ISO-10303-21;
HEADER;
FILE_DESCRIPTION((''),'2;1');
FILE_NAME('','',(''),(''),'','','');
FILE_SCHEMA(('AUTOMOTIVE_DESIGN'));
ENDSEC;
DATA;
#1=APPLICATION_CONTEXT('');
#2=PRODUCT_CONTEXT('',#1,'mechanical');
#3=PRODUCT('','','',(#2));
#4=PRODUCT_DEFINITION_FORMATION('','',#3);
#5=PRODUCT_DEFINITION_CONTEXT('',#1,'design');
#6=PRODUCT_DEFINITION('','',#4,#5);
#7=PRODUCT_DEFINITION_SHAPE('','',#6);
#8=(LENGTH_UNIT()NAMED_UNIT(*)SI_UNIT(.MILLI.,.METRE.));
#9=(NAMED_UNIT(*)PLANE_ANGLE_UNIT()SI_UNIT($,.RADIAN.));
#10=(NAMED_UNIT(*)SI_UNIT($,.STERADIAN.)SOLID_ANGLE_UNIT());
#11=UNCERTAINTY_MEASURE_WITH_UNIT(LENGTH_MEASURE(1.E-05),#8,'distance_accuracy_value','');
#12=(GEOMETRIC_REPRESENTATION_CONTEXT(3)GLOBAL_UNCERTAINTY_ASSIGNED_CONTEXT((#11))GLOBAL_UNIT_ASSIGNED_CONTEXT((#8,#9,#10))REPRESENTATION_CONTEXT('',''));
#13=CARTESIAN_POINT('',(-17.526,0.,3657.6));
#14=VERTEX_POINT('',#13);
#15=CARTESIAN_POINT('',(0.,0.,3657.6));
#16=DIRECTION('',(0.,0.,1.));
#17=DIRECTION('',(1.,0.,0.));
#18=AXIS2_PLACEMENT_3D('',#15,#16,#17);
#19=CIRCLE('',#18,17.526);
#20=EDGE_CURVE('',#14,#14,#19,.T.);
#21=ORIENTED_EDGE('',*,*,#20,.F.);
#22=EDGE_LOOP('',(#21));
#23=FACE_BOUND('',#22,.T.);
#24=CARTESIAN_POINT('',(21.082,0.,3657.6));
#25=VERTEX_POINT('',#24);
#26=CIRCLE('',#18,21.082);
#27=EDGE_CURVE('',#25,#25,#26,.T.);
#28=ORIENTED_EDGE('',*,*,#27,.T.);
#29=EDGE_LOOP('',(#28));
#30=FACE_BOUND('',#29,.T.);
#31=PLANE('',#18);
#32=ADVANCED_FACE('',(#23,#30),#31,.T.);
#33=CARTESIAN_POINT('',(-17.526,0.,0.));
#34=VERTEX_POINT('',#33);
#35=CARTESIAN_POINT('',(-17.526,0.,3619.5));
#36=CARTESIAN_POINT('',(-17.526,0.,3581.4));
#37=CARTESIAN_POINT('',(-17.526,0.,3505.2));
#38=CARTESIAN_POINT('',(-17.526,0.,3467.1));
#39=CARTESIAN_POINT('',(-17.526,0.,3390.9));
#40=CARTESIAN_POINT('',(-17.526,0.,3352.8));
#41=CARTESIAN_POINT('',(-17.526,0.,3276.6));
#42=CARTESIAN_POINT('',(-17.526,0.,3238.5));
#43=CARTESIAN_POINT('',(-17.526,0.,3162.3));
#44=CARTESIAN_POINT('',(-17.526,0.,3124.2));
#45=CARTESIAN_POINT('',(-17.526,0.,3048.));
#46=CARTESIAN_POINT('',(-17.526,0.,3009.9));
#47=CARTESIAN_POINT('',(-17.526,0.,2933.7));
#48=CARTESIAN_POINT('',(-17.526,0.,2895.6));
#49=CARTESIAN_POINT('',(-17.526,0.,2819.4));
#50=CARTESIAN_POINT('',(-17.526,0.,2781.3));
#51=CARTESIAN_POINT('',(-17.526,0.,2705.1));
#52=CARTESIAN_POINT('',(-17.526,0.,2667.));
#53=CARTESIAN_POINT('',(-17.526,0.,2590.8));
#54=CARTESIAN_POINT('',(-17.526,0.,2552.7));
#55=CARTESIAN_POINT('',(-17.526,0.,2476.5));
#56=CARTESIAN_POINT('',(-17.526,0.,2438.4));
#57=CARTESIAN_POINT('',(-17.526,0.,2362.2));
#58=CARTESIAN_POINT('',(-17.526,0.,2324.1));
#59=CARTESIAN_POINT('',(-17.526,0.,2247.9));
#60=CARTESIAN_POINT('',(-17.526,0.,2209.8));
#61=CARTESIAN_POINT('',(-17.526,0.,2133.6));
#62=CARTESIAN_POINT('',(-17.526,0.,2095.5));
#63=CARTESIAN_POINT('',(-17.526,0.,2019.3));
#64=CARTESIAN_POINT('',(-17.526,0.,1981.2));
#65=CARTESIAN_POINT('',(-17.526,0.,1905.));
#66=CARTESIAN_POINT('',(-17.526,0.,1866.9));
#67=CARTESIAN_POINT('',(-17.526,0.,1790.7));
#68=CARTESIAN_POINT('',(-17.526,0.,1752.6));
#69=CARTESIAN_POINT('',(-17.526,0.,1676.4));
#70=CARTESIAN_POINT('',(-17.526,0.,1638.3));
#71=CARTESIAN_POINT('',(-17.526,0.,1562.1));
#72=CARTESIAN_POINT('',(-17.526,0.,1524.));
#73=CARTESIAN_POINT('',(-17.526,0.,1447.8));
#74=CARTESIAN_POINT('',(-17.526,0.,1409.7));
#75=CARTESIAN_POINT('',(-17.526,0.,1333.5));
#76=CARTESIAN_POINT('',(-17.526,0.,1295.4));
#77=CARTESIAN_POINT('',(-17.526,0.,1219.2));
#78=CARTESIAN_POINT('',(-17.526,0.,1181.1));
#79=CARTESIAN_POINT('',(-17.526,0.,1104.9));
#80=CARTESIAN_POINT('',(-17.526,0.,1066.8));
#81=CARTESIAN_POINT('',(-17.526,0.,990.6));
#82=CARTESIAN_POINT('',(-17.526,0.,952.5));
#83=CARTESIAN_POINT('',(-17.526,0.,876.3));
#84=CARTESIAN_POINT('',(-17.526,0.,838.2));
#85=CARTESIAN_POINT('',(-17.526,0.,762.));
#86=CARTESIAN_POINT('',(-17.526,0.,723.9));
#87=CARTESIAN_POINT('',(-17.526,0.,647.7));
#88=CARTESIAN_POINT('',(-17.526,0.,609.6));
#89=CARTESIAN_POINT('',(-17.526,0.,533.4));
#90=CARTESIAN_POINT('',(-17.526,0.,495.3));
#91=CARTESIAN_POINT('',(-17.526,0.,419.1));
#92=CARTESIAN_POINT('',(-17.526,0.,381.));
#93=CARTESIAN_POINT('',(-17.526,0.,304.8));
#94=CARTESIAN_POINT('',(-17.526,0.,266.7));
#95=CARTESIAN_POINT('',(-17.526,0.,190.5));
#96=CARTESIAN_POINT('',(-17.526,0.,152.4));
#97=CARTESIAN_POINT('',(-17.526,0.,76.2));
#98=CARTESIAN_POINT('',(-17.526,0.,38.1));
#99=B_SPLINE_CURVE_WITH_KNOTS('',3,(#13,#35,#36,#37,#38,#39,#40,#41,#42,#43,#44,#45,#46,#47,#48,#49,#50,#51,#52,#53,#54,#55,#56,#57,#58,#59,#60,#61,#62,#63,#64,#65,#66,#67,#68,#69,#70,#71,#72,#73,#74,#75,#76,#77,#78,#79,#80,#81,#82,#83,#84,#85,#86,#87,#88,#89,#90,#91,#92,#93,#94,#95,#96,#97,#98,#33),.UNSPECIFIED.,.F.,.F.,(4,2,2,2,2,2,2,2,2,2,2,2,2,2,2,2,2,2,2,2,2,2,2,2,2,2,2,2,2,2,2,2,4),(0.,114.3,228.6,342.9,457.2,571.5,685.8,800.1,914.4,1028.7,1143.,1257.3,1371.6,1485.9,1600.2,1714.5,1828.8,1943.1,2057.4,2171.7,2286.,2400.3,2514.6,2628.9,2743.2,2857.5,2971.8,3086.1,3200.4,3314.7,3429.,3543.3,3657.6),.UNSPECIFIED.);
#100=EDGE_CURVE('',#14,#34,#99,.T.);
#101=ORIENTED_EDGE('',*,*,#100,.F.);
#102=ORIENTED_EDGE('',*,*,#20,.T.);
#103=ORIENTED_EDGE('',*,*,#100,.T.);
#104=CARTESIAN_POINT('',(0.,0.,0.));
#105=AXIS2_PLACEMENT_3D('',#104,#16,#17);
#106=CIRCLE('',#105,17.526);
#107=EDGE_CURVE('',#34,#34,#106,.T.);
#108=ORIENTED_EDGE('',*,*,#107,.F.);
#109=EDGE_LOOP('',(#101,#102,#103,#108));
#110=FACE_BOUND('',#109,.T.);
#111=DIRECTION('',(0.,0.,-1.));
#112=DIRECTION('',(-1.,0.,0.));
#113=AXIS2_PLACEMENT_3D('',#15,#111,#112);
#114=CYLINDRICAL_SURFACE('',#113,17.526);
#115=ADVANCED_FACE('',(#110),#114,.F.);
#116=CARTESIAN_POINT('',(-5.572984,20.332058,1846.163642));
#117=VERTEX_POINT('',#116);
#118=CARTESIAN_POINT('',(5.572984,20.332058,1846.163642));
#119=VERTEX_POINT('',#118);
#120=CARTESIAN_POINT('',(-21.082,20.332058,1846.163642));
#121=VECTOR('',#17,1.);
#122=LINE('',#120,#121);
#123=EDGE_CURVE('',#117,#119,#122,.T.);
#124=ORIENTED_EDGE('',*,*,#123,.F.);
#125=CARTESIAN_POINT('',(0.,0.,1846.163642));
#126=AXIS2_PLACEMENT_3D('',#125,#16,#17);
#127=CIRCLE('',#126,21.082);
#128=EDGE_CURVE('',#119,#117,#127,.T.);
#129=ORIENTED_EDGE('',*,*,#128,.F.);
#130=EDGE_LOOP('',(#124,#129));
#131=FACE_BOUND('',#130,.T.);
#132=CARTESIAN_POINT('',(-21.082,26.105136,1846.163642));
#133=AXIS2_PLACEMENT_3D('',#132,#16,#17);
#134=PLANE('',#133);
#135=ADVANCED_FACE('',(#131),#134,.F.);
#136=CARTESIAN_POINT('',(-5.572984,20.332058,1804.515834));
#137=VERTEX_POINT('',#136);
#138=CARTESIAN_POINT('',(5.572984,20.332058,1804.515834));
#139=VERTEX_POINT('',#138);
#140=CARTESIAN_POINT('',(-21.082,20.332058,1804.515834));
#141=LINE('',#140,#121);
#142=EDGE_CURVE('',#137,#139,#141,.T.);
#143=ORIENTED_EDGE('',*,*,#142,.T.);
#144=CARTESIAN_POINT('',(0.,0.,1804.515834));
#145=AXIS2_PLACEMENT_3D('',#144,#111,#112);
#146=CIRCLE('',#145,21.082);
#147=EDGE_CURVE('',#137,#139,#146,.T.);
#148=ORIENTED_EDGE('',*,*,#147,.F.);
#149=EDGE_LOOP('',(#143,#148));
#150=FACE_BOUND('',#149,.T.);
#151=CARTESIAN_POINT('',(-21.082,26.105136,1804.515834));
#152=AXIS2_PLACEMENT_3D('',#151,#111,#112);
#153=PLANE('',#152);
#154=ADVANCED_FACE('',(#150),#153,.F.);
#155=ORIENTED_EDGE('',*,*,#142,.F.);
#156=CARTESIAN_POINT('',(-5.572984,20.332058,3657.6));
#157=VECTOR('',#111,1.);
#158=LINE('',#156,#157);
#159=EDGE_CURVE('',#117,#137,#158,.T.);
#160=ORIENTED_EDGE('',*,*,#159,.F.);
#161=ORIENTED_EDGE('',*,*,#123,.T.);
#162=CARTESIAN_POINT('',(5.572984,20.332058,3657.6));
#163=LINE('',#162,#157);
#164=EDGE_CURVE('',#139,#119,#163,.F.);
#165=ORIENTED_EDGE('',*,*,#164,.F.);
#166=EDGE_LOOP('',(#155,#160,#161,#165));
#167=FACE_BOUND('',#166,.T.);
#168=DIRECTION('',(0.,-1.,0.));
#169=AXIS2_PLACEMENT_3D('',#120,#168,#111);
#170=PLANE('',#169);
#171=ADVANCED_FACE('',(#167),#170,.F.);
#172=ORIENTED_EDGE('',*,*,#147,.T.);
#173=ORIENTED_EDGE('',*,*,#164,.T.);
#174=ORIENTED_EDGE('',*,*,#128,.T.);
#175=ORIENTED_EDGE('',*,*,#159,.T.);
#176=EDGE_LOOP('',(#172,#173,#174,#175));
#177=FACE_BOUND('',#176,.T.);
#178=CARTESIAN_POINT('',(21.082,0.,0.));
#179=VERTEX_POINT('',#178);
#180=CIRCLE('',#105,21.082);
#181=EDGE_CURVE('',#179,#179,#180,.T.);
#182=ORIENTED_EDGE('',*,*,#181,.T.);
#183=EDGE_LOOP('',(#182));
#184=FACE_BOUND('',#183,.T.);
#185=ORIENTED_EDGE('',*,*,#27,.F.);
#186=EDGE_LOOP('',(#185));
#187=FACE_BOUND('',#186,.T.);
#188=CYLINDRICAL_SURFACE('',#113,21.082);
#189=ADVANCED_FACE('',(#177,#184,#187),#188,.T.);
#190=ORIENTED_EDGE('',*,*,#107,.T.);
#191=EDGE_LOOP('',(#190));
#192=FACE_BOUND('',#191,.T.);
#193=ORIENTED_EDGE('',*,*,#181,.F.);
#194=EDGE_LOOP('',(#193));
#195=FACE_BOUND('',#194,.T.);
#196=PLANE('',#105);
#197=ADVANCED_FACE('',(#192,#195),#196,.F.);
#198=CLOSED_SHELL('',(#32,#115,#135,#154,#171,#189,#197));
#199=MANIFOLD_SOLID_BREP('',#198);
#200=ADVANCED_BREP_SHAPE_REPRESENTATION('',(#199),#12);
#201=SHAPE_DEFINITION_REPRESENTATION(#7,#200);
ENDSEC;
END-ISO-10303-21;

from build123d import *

# Parameters (mm, degrees)
SKETCH1_R               = 21.082
SKETCH1_R_2             = 17.526
BOSS_EXTRUDE1_DEPTH     = 3657.6
CUT_EXTRUDE1_DEPTH      = 3658.721512287
CUT_EXTRUDE1_DEPTH_BACK = 3658.721512287
SKETCH4_W               = 41.647807864
SKETCH4_H               = 5.7730783


with BuildPart() as part:
    # Sketch1 → Boss-Extrude1 (new body)
    with BuildSketch(Plane.XY):
        with Locations(Location((0, 0, 0), (0, 0, 180))):
            Circle(SKETCH1_R)
        with Locations(Location((0, 0, 0), (0, 0, 180))):
            Circle(SKETCH1_R_2, mode=Mode.SUBTRACT)
    extrude(amount=BOSS_EXTRUDE1_DEPTH)

    # Sketch4 → Cut-Extrude1 (cut, two sides: drawn at the far end of the back side and taken through both)
    with BuildSketch(Plane(origin=(0, 0, 0), x_dir=(0, 0, -1), z_dir=(1, 0, 0)).offset(-CUT_EXTRUDE1_DEPTH_BACK)):
        with Locations((-1825.339738044, 23.218596963)):
            Rectangle(SKETCH4_W, SKETCH4_H)
    extrude(amount=CUT_EXTRUDE1_DEPTH + CUT_EXTRUDE1_DEPTH_BACK, mode=Mode.SUBTRACT)


solid = part.part
